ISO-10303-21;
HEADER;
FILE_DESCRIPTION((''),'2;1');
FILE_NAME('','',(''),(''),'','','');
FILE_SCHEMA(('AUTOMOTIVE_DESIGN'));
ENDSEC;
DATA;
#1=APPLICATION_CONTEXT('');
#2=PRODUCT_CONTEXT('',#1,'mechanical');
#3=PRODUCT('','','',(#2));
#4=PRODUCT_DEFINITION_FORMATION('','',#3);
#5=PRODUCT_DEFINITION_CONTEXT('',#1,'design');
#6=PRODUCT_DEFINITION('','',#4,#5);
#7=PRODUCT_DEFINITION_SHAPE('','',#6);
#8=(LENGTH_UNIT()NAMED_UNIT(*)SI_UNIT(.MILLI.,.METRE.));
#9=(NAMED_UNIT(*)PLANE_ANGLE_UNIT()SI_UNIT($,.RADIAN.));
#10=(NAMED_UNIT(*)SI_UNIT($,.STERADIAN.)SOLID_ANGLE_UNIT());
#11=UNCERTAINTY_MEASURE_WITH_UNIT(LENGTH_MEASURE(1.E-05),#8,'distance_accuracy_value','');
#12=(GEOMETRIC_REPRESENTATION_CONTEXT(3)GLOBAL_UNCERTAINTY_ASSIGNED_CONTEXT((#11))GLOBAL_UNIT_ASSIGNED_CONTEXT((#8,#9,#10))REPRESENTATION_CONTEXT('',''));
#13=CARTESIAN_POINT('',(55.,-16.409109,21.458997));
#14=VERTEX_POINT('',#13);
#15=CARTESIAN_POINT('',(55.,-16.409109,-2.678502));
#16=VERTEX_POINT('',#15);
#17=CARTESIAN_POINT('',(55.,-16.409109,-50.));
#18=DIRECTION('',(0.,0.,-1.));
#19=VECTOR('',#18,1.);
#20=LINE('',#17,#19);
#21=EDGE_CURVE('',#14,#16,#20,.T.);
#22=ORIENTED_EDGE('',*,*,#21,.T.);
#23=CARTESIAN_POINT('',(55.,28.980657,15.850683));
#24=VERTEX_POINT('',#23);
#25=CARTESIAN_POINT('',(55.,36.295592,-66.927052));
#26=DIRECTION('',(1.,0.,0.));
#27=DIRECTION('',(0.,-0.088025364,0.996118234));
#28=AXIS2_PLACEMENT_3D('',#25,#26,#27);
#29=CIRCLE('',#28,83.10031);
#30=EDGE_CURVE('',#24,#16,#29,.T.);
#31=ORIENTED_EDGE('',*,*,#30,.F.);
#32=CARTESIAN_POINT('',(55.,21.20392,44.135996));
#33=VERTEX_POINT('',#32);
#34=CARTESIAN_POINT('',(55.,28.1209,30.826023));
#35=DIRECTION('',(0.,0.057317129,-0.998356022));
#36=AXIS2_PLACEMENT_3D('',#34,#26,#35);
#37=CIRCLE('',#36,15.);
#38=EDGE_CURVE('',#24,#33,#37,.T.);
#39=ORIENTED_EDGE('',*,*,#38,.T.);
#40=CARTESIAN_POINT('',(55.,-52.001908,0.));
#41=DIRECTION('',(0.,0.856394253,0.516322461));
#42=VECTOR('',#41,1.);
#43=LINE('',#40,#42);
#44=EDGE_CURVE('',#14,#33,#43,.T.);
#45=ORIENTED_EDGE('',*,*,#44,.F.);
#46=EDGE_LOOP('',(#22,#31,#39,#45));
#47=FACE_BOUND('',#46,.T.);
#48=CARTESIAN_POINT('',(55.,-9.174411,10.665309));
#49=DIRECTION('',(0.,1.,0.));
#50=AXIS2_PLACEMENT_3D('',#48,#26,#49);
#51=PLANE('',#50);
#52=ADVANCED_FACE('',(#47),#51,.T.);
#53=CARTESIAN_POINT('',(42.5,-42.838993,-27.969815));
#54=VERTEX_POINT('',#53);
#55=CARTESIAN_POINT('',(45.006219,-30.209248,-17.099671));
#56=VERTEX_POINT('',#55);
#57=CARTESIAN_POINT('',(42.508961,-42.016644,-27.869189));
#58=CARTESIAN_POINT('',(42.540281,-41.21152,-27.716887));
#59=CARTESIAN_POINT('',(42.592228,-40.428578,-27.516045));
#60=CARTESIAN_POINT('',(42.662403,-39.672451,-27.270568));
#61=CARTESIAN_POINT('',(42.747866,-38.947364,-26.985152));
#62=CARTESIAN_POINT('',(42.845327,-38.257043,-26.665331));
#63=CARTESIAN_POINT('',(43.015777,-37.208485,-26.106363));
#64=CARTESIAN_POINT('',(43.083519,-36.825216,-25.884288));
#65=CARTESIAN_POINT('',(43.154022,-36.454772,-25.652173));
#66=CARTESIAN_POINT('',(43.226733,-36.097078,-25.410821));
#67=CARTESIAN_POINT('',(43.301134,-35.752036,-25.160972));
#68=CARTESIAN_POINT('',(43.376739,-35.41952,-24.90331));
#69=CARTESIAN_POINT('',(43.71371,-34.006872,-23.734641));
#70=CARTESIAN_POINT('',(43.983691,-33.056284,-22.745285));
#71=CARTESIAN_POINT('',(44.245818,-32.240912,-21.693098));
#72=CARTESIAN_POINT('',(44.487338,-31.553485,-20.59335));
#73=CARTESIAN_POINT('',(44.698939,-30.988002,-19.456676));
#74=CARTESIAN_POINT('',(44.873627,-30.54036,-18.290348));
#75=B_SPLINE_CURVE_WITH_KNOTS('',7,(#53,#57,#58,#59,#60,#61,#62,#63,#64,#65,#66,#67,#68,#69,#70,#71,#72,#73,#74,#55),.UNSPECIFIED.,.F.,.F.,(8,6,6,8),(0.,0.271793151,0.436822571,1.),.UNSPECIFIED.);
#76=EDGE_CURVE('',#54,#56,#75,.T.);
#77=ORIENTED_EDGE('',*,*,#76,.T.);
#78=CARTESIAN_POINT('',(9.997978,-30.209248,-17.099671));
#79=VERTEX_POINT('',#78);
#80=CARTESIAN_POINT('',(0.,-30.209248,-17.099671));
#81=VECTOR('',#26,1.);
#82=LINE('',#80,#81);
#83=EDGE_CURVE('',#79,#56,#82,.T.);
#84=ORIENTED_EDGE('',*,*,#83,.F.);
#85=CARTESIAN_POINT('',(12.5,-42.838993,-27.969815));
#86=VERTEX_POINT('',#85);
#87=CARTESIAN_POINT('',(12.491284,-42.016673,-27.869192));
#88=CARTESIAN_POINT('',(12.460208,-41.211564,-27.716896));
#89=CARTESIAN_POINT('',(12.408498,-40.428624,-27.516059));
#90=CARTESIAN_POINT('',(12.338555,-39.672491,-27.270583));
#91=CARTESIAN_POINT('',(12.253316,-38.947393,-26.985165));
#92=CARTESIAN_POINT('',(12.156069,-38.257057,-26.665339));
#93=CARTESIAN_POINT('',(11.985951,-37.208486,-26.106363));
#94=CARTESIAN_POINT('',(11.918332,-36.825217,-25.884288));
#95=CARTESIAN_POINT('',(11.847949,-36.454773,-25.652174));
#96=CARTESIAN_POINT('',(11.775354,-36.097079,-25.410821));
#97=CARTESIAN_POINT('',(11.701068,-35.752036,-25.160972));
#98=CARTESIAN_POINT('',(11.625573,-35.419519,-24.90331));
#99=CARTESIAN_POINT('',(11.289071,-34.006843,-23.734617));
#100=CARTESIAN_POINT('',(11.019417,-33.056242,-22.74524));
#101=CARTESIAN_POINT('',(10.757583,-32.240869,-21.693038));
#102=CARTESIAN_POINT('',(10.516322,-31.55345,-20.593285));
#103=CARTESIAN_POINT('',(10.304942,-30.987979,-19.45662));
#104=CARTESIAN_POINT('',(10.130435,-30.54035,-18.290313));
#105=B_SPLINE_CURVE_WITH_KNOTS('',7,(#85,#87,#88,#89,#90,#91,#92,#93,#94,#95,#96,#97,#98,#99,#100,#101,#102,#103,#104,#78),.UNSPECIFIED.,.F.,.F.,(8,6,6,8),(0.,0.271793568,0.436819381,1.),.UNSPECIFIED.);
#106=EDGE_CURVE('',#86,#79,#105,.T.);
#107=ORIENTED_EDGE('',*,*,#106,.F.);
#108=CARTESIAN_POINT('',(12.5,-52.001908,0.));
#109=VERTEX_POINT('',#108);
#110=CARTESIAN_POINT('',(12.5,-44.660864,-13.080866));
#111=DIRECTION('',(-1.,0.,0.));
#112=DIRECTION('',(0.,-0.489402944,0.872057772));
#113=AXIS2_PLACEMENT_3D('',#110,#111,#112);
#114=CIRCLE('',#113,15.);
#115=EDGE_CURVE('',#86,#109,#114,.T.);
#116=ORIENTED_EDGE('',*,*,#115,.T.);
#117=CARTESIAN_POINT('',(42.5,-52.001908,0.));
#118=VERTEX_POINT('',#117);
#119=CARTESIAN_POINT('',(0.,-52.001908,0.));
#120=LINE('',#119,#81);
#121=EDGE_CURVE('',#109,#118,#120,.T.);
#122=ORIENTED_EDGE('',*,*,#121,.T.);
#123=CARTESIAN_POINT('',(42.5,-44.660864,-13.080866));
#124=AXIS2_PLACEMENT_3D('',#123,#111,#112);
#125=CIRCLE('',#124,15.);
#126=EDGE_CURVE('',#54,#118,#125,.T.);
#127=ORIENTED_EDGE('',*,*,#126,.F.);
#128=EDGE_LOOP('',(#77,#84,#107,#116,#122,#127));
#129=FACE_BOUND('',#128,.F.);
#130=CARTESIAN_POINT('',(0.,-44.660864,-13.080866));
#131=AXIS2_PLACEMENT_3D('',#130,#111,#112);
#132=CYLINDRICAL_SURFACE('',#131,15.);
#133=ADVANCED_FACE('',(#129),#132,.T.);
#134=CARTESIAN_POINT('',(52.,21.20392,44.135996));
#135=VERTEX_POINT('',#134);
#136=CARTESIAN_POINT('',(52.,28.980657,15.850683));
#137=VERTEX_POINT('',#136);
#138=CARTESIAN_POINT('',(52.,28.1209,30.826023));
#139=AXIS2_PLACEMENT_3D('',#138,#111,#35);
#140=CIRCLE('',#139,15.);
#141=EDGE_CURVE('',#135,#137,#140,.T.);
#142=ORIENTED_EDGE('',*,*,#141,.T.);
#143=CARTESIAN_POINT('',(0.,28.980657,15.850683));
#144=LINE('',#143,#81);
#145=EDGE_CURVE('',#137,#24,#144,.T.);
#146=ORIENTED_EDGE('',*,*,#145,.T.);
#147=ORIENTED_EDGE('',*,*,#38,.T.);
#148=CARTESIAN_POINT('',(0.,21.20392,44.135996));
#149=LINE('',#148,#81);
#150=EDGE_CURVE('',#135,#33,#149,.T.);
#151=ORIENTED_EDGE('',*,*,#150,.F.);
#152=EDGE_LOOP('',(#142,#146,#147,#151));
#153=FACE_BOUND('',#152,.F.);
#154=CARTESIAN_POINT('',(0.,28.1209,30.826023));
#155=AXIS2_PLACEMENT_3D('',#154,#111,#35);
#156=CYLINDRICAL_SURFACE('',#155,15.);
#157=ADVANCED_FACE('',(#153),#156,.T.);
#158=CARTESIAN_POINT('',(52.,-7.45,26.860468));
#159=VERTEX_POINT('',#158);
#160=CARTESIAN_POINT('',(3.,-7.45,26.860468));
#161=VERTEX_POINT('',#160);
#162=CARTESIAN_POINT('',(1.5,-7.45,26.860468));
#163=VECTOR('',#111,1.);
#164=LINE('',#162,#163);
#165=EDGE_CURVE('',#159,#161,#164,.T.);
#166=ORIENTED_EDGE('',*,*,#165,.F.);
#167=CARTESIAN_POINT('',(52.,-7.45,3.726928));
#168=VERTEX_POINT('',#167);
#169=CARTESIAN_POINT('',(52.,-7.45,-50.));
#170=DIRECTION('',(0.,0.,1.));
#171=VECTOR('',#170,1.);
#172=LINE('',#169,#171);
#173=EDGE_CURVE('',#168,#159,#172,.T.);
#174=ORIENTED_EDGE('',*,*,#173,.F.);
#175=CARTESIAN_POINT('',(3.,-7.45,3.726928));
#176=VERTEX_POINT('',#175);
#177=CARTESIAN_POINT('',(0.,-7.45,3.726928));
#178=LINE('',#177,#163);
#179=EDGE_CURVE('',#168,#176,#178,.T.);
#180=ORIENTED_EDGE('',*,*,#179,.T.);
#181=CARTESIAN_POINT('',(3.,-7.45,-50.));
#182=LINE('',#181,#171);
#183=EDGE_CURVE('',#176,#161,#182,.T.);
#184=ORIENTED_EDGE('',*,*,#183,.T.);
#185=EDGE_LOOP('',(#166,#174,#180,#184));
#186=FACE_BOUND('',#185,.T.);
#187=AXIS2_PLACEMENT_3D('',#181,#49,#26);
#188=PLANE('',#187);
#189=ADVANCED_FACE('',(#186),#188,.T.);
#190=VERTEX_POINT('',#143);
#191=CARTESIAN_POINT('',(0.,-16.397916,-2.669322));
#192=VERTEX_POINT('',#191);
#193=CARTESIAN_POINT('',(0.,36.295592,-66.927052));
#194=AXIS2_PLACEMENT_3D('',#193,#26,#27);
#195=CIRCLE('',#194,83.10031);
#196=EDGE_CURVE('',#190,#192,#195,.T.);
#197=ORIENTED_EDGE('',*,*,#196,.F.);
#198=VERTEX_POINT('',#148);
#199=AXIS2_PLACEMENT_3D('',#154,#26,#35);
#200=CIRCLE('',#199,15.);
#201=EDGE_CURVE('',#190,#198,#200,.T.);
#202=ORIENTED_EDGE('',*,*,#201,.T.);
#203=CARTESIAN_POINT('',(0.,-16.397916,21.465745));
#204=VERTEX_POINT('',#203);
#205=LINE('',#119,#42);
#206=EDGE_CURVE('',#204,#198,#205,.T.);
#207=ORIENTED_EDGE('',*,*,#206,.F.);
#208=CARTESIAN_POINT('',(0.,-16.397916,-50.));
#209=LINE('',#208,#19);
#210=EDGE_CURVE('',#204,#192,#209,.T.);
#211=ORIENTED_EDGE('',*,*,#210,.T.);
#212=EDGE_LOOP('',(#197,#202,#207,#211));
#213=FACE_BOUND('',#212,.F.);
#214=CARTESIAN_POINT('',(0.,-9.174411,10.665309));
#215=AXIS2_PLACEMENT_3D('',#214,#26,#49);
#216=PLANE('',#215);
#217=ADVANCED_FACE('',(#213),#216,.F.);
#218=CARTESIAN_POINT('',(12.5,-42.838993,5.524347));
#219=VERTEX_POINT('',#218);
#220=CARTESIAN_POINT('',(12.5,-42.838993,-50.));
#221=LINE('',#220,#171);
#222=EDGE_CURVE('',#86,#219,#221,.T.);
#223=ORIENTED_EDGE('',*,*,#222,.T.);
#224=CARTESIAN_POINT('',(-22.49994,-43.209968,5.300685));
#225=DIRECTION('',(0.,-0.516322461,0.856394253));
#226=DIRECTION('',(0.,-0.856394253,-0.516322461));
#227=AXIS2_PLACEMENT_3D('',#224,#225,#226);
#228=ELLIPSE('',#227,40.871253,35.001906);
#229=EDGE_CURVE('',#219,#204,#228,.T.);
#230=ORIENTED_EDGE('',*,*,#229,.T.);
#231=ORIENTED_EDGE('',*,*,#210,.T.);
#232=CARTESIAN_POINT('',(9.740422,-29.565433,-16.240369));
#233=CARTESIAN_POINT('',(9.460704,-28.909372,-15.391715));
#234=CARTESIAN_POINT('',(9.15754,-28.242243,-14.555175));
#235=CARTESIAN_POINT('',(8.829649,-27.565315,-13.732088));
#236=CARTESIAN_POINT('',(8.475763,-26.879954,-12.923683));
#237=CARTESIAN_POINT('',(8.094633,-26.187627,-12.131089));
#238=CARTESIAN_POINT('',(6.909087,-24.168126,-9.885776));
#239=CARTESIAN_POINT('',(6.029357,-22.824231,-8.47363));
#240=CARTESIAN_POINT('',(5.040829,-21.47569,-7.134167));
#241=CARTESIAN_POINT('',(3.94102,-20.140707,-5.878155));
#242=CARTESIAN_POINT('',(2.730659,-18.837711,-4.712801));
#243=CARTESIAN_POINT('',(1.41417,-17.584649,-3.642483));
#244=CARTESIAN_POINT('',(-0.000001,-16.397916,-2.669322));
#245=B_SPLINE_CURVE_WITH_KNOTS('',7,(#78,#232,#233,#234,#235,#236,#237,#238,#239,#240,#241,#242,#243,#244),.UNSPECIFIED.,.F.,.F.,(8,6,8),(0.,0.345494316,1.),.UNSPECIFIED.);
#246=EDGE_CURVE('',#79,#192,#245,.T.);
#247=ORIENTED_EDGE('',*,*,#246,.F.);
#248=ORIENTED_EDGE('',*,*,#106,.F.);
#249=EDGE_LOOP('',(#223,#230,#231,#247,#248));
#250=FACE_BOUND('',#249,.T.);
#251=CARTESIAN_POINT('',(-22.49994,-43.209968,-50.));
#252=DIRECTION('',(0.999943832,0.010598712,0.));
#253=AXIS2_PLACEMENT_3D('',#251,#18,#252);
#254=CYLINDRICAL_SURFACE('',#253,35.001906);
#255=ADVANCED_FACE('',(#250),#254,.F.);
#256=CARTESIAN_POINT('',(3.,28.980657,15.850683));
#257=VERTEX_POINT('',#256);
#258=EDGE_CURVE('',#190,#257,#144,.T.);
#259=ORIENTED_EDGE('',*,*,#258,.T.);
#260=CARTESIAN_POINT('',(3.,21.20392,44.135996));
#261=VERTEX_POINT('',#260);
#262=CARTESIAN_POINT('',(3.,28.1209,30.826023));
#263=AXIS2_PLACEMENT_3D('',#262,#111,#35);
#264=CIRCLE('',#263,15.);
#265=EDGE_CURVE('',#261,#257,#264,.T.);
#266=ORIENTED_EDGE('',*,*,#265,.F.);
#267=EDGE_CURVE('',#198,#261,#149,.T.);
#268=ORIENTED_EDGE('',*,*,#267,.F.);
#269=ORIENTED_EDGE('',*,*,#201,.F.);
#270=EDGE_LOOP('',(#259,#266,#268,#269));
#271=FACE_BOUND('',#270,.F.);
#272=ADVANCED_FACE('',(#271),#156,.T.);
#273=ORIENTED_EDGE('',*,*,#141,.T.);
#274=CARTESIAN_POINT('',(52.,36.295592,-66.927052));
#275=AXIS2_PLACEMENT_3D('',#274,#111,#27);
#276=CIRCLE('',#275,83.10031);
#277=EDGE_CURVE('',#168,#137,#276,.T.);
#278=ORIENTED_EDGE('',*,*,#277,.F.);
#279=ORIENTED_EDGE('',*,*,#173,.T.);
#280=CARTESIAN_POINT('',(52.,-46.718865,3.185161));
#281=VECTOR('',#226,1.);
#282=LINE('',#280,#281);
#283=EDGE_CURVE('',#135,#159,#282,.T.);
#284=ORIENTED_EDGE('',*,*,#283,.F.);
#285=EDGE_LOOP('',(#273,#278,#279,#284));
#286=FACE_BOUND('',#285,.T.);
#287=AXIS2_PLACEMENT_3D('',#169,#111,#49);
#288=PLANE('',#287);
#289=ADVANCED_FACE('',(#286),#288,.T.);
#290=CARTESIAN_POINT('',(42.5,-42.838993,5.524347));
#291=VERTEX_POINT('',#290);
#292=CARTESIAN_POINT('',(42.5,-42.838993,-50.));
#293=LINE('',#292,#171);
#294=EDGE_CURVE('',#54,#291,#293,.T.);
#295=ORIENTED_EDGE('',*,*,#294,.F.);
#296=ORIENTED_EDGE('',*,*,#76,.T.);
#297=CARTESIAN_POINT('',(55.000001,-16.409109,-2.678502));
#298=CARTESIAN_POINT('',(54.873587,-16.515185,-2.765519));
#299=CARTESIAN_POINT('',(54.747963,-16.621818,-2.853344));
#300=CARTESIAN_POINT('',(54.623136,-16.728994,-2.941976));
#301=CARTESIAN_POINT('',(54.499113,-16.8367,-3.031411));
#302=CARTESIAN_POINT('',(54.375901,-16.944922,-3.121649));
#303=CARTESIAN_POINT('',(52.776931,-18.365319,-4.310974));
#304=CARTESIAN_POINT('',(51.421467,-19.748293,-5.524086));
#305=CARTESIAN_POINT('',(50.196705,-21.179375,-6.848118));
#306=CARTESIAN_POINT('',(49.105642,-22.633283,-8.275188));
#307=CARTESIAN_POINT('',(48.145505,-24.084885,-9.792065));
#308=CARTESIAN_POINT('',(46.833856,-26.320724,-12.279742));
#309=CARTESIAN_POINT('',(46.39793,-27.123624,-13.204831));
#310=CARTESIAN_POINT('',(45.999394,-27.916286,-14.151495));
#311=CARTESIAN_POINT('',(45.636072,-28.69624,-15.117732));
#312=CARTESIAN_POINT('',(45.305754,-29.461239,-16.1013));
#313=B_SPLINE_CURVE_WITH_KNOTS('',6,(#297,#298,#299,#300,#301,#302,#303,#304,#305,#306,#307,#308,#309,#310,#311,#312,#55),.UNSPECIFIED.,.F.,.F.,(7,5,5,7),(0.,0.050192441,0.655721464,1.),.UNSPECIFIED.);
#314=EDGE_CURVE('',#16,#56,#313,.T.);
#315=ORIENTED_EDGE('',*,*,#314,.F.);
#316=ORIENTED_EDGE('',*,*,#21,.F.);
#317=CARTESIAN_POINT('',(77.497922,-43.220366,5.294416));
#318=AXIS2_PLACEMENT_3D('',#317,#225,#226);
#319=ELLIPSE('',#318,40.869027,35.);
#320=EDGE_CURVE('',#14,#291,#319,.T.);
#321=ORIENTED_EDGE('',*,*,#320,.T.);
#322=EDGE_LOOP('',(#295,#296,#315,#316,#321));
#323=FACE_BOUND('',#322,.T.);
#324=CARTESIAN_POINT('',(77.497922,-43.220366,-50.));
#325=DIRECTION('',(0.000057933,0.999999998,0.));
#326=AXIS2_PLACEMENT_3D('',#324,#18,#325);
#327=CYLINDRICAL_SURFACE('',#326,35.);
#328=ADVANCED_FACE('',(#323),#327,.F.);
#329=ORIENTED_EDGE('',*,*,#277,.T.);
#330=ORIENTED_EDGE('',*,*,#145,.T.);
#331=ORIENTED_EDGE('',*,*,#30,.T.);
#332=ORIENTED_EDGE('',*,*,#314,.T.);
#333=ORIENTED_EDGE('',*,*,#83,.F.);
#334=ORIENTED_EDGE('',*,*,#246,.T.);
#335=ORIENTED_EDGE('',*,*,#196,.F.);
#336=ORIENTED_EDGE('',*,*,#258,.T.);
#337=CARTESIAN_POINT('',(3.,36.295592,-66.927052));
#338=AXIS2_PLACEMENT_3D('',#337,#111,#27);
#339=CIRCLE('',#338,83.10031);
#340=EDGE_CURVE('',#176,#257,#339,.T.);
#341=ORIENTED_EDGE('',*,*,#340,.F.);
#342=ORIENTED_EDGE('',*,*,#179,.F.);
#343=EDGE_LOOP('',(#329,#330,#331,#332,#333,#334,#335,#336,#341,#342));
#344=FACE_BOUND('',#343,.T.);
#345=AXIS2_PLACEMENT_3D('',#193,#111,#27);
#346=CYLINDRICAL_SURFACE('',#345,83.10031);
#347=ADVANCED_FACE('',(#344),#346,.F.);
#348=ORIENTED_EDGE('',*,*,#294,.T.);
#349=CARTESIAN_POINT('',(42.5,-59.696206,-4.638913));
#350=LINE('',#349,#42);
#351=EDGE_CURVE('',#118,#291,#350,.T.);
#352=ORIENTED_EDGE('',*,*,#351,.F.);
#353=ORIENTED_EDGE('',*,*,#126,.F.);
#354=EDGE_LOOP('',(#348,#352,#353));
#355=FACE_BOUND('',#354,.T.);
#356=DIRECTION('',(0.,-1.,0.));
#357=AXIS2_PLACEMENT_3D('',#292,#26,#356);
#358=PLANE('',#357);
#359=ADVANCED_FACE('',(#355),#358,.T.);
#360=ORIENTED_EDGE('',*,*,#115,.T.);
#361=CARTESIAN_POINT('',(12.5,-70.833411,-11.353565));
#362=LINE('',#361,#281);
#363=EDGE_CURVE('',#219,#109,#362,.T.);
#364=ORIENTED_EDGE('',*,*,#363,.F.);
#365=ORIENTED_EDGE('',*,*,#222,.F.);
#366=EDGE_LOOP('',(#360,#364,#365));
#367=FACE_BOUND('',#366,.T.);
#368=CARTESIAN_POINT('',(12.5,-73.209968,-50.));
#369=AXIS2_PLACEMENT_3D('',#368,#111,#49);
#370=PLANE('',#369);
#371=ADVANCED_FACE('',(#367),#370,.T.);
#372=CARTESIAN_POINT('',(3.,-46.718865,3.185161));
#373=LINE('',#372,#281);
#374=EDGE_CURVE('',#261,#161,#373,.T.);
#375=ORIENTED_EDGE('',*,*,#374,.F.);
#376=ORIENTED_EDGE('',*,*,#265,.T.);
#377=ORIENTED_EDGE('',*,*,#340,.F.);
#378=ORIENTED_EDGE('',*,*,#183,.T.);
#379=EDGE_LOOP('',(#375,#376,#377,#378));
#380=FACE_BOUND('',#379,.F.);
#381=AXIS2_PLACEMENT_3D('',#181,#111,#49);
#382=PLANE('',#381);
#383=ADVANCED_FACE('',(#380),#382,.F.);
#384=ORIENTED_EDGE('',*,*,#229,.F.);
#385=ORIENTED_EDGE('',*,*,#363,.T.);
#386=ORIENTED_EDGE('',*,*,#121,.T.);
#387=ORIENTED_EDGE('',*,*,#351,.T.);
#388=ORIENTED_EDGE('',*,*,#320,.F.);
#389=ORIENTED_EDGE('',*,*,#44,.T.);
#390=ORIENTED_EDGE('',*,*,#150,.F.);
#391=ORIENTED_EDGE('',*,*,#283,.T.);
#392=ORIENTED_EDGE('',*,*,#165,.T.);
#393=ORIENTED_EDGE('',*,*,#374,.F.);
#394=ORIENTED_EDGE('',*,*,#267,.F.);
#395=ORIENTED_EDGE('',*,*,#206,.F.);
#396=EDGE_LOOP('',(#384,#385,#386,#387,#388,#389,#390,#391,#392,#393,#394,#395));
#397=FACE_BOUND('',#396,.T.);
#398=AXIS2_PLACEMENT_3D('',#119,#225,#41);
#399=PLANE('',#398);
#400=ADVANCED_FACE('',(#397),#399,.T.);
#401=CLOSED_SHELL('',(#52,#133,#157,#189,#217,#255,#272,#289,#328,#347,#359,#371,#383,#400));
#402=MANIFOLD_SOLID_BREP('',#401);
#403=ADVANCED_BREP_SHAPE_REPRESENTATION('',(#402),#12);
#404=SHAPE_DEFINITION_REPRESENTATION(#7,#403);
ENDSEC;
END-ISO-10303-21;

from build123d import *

# Parameters (mm, degrees)
PAD_DEPTH       = 55
SKETCH001_W     = 49
SKETCH001_H     = 60.9
POCKET_DEPTH    = 500
POCKET001_DEPTH = 500


with BuildPart() as part:
    # Sketch → Pad (new body)
    with BuildSketch(Plane.YZ):
        with BuildLine():
            ThreePointArc((28.980657, 15.850683), (42.584206, 34.802551), (21.20392, 44.135996))
            Line((-52.001908, 0), (21.20392, 44.135996))
            ThreePointArc((-52.001908, 0), (-53.920439, -24.881725), (-30.209248, -17.099671))
            ThreePointArc((28.980657, 15.850683), (-4.124344, 5.680733), (-30.209248, -17.099671))
        make_face()
    extrude(amount=PAD_DEPTH)

    # Sketch001 → Pocket (cut)
    with BuildSketch(Plane(origin=(27.5, 23, -50), x_dir=(1, 0, 0), z_dir=(0, 0, 1))):
        Rectangle(SKETCH001_W, SKETCH001_H)
    extrude(amount=POCKET_DEPTH, mode=Mode.SUBTRACT)

    # Sketch002 → Pocket001 (cut)
    with BuildSketch(Plane(origin=(27.5, -35, -50), x_dir=(1, 0, 0), z_dir=(0, 0, 1))):
        with BuildLine():
            Line((-49.999941, -8.209968), (-49.999941, -38.209968))
            Line((-49.999941, -38.209968), (-15, -38.209968))
            Line((-15, -38.209968), (-15, -7.838993))
            ThreePointArc((-15, -7.838993), (-25.381364, 16.670931), (-49.999941, 26.791938))
            Line((-49.999941, 26.791938), (-49.999941, -8.209968))
        make_face()
        with BuildLine():
            Line((15, -7.838993), (15, -38.220366))
            Line((15, -38.220366), (49.997922, -38.220366))
            Line((49.997922, -38.220366), (49.997922, -8.220366))
            Line((49.99995, 26.779634), (49.997922, -8.220366))
            ThreePointArc((49.99995, 26.779634), (25.385111, 16.663555), (15, -7.838993))
        make_face()
    extrude(amount=POCKET001_DEPTH, mode=Mode.SUBTRACT)


solid = part.part
